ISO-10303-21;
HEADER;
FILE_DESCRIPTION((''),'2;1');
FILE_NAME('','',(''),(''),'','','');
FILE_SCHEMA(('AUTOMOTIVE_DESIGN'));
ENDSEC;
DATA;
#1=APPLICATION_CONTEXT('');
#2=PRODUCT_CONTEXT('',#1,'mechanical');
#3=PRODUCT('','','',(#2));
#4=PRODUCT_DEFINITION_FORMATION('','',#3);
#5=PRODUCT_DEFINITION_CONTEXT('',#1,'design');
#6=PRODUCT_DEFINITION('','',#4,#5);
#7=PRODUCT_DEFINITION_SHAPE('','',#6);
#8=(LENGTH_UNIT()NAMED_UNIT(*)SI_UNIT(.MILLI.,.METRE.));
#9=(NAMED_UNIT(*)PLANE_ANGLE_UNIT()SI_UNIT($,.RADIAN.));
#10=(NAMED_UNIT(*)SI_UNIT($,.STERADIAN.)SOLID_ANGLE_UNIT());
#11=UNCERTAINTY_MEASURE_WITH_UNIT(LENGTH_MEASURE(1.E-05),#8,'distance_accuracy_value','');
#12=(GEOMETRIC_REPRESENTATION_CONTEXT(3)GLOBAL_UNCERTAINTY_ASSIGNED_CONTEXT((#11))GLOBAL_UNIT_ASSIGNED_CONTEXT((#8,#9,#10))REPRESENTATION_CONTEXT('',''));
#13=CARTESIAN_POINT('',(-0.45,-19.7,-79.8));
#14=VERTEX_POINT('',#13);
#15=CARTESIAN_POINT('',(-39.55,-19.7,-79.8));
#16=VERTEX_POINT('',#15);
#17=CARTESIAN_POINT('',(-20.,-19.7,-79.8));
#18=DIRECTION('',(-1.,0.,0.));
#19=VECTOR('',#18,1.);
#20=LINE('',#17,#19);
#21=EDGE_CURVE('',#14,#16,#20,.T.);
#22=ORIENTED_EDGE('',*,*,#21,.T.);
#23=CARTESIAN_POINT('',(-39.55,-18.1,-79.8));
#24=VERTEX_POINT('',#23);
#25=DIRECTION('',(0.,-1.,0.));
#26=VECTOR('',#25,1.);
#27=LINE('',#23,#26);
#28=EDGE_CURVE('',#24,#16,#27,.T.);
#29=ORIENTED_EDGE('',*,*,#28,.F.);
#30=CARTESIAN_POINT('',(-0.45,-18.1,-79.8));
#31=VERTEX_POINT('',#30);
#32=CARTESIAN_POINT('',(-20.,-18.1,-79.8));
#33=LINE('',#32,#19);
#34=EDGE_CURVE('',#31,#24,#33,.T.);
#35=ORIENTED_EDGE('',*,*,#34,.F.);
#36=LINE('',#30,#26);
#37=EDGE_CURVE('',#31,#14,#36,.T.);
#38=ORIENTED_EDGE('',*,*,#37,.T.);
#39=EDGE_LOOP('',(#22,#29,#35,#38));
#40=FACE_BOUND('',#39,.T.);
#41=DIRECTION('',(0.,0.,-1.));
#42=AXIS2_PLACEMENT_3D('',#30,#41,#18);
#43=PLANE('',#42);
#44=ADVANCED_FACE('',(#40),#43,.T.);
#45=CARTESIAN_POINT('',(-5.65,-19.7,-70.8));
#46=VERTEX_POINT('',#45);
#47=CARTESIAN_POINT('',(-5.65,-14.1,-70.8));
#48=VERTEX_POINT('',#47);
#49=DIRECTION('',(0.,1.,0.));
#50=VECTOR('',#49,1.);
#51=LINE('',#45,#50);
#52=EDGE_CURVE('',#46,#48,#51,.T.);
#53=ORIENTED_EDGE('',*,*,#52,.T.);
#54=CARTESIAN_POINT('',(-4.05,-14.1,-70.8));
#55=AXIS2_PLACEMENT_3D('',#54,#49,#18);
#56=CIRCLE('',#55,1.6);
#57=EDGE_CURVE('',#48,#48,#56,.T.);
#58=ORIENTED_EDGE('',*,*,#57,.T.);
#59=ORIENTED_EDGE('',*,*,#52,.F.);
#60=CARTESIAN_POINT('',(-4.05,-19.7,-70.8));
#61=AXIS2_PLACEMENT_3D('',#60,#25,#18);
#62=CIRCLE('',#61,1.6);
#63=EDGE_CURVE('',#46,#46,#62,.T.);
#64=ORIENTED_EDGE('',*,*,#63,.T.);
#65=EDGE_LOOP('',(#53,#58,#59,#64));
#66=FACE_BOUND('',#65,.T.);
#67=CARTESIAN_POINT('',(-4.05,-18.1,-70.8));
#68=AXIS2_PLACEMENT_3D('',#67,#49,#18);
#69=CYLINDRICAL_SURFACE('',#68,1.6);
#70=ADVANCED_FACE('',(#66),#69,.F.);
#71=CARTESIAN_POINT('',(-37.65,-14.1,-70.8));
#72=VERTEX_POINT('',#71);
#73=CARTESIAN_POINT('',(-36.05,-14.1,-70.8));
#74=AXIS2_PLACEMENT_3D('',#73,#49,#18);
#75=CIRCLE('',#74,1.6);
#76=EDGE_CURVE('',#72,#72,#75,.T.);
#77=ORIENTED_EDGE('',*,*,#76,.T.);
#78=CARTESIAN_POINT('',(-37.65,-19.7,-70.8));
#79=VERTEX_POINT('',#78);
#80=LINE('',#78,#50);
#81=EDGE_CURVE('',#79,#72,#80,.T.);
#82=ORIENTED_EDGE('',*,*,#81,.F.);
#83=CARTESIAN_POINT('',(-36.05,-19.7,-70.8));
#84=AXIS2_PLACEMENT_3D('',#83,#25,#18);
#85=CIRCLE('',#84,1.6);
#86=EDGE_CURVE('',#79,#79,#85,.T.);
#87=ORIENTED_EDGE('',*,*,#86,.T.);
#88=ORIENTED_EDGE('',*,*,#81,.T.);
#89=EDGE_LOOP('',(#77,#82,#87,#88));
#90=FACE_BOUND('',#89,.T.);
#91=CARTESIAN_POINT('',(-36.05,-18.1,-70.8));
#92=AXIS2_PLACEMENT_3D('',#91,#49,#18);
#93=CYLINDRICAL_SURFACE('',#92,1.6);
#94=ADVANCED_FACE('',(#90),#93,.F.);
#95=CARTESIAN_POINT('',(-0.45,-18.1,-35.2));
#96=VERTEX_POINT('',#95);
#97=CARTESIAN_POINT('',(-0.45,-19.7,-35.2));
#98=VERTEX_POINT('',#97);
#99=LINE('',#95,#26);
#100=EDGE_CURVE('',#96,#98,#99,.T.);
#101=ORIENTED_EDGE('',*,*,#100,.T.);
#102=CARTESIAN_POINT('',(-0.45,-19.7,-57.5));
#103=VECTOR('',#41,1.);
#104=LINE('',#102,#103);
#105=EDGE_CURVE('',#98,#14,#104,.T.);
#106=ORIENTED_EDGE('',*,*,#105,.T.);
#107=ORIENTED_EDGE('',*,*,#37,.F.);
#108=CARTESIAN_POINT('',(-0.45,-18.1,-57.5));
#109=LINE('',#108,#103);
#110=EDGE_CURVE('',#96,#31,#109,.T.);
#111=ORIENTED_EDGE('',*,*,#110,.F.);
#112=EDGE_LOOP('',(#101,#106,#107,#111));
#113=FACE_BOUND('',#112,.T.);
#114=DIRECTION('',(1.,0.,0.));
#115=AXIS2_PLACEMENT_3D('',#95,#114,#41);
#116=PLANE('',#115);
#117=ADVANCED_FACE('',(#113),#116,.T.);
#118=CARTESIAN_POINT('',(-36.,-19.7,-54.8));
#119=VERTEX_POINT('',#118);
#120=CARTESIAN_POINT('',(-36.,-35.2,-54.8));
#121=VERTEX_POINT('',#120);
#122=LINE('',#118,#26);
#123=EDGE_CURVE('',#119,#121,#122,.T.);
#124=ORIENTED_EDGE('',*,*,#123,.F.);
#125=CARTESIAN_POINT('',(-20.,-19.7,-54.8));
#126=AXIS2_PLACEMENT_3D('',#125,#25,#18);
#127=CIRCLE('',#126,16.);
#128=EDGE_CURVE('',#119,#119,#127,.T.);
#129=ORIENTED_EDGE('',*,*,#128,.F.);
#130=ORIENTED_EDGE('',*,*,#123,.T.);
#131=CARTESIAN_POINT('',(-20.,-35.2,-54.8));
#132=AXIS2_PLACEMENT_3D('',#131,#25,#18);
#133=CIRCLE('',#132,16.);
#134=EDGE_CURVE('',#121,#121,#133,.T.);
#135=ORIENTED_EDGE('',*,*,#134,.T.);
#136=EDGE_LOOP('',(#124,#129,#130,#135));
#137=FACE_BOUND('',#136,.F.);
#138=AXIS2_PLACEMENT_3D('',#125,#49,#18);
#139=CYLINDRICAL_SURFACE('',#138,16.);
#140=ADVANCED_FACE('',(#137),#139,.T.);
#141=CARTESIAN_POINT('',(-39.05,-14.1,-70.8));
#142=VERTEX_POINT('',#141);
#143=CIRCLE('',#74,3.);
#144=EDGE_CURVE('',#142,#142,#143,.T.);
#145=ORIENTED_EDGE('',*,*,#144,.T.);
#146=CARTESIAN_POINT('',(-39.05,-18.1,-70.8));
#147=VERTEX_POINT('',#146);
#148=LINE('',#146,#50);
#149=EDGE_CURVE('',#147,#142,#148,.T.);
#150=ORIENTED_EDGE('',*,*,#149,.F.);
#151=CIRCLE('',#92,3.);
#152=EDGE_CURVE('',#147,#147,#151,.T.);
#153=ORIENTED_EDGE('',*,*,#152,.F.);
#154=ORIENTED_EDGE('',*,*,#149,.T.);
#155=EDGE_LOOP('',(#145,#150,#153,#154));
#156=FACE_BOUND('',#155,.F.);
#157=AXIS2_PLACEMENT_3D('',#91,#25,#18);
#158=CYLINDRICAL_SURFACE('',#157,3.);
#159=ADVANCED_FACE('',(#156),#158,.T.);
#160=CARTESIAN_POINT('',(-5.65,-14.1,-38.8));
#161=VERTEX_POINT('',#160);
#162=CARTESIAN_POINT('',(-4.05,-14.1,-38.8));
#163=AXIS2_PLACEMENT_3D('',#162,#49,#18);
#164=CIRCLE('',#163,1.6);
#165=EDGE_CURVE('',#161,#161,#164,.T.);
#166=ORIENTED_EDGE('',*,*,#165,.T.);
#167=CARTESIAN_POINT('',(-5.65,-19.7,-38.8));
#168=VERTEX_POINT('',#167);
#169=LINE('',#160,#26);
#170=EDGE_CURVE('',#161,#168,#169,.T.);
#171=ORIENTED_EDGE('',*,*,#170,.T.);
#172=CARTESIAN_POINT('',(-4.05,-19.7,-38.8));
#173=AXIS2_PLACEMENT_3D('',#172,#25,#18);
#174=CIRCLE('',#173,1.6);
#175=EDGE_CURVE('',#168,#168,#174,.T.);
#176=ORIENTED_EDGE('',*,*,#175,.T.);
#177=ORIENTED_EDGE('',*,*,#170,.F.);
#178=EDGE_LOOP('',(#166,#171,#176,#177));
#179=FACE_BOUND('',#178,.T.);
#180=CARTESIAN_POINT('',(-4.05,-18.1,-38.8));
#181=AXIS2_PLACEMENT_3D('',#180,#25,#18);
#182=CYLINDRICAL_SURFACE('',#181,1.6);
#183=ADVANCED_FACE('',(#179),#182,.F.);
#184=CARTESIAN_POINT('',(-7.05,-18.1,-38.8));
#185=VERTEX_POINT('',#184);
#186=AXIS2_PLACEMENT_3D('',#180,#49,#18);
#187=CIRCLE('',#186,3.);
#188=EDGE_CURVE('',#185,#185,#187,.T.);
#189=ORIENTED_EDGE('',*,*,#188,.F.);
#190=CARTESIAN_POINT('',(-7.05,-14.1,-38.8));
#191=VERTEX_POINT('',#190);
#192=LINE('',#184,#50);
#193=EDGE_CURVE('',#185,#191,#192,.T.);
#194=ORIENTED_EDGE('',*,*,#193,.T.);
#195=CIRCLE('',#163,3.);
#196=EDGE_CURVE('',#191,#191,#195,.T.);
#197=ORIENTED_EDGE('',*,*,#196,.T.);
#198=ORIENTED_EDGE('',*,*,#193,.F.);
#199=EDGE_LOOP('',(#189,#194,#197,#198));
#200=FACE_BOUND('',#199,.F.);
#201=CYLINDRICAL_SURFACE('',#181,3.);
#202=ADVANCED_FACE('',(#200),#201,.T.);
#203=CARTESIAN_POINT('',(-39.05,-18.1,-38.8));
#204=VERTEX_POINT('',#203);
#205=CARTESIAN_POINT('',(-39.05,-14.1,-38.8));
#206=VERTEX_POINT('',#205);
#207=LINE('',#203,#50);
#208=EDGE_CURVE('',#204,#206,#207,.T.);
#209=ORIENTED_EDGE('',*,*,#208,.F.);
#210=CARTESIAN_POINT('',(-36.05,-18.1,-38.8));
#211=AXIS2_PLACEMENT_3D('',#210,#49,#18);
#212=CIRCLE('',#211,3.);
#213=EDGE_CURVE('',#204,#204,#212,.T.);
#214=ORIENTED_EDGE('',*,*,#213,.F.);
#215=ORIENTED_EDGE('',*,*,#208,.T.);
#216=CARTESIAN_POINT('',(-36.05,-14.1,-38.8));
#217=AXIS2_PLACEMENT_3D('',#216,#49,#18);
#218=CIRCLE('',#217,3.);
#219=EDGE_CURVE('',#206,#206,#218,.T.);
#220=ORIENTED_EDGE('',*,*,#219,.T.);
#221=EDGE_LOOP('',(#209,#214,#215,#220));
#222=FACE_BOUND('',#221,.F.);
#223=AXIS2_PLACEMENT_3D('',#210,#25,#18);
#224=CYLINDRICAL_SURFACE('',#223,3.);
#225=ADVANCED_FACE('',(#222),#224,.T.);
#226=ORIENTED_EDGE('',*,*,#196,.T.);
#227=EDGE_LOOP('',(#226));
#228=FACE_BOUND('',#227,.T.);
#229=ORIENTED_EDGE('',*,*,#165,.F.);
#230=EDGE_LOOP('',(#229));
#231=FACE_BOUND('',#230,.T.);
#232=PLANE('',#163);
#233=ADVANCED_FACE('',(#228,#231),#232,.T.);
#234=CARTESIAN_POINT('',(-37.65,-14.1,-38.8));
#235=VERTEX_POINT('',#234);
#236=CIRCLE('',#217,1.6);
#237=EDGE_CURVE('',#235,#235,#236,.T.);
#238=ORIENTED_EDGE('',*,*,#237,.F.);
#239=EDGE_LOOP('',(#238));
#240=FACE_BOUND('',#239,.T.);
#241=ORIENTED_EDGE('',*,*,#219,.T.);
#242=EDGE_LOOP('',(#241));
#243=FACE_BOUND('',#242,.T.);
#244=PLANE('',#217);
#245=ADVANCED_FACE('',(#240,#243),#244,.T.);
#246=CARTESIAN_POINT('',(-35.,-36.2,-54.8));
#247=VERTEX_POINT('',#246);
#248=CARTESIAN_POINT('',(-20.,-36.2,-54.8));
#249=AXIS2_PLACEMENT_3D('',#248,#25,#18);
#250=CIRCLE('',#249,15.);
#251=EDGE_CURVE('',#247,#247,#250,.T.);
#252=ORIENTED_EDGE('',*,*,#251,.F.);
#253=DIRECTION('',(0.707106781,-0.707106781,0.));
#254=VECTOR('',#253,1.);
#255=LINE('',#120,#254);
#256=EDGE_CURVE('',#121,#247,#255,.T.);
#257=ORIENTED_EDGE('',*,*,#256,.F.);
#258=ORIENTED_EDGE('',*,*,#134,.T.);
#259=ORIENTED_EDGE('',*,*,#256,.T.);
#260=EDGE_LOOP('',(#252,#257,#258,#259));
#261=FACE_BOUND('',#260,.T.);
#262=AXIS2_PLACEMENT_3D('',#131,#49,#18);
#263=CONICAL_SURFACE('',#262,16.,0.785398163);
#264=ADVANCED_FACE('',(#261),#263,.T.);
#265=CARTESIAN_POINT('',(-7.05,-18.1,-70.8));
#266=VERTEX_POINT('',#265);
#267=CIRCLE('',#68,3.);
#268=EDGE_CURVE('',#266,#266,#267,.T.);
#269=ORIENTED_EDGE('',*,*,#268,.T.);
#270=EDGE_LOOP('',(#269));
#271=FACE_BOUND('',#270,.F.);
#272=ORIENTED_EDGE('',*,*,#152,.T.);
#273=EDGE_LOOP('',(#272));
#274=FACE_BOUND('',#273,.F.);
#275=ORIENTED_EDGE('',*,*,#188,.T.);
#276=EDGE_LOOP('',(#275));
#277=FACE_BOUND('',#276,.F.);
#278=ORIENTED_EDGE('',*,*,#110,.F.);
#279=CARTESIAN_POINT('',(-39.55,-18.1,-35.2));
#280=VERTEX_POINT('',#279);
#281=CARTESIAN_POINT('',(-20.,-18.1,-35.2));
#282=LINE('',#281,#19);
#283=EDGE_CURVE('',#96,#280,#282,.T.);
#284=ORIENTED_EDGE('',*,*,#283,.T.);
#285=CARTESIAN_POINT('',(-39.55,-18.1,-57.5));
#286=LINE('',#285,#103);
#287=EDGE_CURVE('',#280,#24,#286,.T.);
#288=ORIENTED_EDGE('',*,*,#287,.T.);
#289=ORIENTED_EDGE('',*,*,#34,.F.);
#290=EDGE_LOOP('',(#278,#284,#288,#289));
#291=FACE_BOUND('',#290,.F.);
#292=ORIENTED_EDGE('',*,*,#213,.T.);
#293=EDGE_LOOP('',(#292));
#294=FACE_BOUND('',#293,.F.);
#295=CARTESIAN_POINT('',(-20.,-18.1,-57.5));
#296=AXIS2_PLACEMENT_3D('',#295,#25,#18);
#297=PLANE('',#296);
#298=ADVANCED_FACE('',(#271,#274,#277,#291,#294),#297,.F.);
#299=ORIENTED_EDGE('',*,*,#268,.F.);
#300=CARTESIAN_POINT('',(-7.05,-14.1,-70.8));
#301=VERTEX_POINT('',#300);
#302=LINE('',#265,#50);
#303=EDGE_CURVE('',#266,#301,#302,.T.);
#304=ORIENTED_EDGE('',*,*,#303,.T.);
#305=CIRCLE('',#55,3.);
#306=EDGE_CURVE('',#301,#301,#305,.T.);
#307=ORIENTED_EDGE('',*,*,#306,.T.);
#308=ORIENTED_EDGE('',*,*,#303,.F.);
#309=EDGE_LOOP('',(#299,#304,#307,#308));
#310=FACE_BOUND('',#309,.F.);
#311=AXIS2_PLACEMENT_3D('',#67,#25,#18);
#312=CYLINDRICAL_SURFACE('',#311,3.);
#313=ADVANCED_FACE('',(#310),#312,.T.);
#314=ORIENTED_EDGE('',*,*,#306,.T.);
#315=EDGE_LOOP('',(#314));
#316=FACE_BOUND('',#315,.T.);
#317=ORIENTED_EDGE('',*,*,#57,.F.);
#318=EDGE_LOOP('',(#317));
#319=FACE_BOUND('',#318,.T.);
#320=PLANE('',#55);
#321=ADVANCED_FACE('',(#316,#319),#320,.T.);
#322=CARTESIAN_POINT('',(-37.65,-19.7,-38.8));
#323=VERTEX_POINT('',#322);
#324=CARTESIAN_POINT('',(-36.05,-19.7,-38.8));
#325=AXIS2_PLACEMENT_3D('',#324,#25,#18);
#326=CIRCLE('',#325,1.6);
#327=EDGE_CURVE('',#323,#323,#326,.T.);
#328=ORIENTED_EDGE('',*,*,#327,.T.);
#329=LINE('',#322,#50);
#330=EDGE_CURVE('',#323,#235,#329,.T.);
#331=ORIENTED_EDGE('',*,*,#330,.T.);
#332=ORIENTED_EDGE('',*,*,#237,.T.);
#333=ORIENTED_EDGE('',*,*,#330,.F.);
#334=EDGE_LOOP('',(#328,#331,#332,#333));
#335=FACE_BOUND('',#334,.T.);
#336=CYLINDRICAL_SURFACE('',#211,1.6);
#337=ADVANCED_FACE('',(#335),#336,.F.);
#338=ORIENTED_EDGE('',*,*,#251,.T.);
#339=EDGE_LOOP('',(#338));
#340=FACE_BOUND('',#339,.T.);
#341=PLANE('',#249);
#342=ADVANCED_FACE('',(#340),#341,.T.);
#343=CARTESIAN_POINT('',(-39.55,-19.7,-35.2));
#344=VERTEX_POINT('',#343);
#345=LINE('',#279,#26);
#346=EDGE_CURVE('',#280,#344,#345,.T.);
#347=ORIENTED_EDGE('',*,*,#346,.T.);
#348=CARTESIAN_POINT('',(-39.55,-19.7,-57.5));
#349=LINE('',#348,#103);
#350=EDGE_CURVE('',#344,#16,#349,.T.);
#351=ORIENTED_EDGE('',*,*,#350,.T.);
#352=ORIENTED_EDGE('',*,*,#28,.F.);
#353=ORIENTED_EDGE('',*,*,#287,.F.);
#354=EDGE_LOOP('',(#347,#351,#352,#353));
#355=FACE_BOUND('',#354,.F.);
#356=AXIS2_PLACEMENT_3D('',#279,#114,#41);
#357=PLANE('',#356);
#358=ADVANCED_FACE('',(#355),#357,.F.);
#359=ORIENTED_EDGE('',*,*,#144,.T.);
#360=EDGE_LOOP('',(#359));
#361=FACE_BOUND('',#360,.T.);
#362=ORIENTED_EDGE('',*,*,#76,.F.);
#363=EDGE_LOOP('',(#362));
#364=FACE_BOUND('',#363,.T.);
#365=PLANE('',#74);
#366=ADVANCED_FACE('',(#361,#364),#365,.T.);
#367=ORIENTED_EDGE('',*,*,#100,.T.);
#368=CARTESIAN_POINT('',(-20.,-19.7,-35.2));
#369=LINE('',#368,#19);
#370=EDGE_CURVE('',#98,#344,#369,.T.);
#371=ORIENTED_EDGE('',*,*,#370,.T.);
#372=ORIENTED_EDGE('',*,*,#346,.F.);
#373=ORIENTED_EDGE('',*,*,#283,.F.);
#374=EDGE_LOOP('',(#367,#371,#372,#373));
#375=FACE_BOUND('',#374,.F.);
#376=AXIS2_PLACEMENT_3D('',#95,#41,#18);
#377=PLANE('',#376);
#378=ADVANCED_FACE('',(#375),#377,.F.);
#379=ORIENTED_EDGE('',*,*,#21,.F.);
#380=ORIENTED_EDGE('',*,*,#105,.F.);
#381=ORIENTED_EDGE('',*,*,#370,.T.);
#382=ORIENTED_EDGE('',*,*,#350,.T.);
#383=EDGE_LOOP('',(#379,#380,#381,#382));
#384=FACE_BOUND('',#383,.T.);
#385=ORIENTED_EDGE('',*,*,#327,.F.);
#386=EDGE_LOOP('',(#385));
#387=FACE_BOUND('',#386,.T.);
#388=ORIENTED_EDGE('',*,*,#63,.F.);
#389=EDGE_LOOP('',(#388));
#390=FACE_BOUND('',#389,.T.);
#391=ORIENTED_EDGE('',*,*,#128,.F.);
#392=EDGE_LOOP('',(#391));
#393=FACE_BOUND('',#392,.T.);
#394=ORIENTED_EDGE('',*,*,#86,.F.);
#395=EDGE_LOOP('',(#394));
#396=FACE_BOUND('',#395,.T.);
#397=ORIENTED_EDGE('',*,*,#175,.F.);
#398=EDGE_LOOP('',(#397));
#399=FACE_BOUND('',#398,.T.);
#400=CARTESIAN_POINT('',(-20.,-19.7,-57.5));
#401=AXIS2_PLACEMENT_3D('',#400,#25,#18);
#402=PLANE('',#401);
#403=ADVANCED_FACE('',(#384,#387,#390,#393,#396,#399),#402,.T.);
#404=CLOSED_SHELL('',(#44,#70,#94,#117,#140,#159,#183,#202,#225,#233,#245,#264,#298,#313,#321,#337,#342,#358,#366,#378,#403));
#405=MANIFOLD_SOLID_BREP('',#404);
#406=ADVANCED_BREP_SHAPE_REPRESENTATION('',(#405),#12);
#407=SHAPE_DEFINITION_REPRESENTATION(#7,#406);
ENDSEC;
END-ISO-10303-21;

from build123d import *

# Parameters (mm, degrees)
SKETCH011_W              = 39.1
SKETCH011_H              = 44.6
SKETCH011_R              = 1.6
PAD007_DEPTH             = 1.6
SKETCH012_R              = 16
PAD008_DEPTH             = 16.5
SKETCH013_R              = 3
SKETCH013_R_2            = 1.6
PAD009_DEPTH             = 4
CHAMFER001_SIZE          = 1
CLONE001_PLACEMENT_ANGLE = 180


with BuildPart() as part:
    # Sketch011 → Pad007 (new body)
    with BuildSketch(Plane.XZ):
        Rectangle(SKETCH011_W, SKETCH011_H)
        with Locations((-15.95, 13.3)):
            Circle(SKETCH011_R, mode=Mode.SUBTRACT)
        with Locations((16.05, 13.3)):
            Circle(SKETCH011_R, mode=Mode.SUBTRACT)
        with Locations((16.05, -18.7)):
            Circle(SKETCH011_R, mode=Mode.SUBTRACT)
        with Locations((-15.95, -18.7)):
            Circle(SKETCH011_R, mode=Mode.SUBTRACT)
    extrude(amount=PAD007_DEPTH)

    # Sketch012 (on Face10 of Pad007) → Pad008 (join)
    with BuildSketch(Plane.XZ.offset(1.6)):
        with Locations((0, -2.7)):
            Circle(SKETCH012_R)
    extrude(amount=PAD008_DEPTH)

    # Sketch013 (on Face4 of Pad008) → Pad009 (join)
    with BuildSketch(Plane(origin=(0, 0, 0), x_dir=(1, 0, 0), z_dir=(0, 1, 0))):
        with Locations((-15.95, 18.7)):
            Circle(SKETCH013_R)
        with Locations((-15.95, 18.7)):
            Circle(SKETCH013_R_2, mode=Mode.SUBTRACT)
        with Locations((16.05, 18.7)):
            Circle(SKETCH013_R)
        with Locations((16.05, 18.7)):
            Circle(SKETCH013_R_2, mode=Mode.SUBTRACT)
        with Locations((16.05, -13.3)):
            Circle(SKETCH013_R)
        with Locations((16.05, -13.3)):
            Circle(SKETCH013_R_2, mode=Mode.SUBTRACT)
        with Locations((-15.95, -13.3)):
            Circle(SKETCH013_R)
        with Locations((-15.95, -13.3)):
            Circle(SKETCH013_R_2, mode=Mode.SUBTRACT)
    extrude(amount=PAD009_DEPTH)

    # Chamfer001
    chamfer001_edges = [part.edges().sort_by_distance(p)[0] for p in [
        (-16, -18.1, -2.7),
    ]]
    chamfer(chamfer001_edges, length=CHAMFER001_SIZE)


with BuildPart() as part_1:
    # Body008 placement: moved
    add(part.part.moved(Location((-20, -18.1, -102.9))))


with BuildPart() as part_2:
    # Clone placement: moved
    add(part_1.part.moved(Location((40, 0, 0))))


with BuildPart() as part_3:
    # Clone001 placement: moved
    add(part_2.part.moved(Location((0, 0, -160.4))).rotate(Axis((0, 0, -160.4), (0, 1, 0)), CLONE001_PLACEMENT_ANGLE))


solid = part_3.part
